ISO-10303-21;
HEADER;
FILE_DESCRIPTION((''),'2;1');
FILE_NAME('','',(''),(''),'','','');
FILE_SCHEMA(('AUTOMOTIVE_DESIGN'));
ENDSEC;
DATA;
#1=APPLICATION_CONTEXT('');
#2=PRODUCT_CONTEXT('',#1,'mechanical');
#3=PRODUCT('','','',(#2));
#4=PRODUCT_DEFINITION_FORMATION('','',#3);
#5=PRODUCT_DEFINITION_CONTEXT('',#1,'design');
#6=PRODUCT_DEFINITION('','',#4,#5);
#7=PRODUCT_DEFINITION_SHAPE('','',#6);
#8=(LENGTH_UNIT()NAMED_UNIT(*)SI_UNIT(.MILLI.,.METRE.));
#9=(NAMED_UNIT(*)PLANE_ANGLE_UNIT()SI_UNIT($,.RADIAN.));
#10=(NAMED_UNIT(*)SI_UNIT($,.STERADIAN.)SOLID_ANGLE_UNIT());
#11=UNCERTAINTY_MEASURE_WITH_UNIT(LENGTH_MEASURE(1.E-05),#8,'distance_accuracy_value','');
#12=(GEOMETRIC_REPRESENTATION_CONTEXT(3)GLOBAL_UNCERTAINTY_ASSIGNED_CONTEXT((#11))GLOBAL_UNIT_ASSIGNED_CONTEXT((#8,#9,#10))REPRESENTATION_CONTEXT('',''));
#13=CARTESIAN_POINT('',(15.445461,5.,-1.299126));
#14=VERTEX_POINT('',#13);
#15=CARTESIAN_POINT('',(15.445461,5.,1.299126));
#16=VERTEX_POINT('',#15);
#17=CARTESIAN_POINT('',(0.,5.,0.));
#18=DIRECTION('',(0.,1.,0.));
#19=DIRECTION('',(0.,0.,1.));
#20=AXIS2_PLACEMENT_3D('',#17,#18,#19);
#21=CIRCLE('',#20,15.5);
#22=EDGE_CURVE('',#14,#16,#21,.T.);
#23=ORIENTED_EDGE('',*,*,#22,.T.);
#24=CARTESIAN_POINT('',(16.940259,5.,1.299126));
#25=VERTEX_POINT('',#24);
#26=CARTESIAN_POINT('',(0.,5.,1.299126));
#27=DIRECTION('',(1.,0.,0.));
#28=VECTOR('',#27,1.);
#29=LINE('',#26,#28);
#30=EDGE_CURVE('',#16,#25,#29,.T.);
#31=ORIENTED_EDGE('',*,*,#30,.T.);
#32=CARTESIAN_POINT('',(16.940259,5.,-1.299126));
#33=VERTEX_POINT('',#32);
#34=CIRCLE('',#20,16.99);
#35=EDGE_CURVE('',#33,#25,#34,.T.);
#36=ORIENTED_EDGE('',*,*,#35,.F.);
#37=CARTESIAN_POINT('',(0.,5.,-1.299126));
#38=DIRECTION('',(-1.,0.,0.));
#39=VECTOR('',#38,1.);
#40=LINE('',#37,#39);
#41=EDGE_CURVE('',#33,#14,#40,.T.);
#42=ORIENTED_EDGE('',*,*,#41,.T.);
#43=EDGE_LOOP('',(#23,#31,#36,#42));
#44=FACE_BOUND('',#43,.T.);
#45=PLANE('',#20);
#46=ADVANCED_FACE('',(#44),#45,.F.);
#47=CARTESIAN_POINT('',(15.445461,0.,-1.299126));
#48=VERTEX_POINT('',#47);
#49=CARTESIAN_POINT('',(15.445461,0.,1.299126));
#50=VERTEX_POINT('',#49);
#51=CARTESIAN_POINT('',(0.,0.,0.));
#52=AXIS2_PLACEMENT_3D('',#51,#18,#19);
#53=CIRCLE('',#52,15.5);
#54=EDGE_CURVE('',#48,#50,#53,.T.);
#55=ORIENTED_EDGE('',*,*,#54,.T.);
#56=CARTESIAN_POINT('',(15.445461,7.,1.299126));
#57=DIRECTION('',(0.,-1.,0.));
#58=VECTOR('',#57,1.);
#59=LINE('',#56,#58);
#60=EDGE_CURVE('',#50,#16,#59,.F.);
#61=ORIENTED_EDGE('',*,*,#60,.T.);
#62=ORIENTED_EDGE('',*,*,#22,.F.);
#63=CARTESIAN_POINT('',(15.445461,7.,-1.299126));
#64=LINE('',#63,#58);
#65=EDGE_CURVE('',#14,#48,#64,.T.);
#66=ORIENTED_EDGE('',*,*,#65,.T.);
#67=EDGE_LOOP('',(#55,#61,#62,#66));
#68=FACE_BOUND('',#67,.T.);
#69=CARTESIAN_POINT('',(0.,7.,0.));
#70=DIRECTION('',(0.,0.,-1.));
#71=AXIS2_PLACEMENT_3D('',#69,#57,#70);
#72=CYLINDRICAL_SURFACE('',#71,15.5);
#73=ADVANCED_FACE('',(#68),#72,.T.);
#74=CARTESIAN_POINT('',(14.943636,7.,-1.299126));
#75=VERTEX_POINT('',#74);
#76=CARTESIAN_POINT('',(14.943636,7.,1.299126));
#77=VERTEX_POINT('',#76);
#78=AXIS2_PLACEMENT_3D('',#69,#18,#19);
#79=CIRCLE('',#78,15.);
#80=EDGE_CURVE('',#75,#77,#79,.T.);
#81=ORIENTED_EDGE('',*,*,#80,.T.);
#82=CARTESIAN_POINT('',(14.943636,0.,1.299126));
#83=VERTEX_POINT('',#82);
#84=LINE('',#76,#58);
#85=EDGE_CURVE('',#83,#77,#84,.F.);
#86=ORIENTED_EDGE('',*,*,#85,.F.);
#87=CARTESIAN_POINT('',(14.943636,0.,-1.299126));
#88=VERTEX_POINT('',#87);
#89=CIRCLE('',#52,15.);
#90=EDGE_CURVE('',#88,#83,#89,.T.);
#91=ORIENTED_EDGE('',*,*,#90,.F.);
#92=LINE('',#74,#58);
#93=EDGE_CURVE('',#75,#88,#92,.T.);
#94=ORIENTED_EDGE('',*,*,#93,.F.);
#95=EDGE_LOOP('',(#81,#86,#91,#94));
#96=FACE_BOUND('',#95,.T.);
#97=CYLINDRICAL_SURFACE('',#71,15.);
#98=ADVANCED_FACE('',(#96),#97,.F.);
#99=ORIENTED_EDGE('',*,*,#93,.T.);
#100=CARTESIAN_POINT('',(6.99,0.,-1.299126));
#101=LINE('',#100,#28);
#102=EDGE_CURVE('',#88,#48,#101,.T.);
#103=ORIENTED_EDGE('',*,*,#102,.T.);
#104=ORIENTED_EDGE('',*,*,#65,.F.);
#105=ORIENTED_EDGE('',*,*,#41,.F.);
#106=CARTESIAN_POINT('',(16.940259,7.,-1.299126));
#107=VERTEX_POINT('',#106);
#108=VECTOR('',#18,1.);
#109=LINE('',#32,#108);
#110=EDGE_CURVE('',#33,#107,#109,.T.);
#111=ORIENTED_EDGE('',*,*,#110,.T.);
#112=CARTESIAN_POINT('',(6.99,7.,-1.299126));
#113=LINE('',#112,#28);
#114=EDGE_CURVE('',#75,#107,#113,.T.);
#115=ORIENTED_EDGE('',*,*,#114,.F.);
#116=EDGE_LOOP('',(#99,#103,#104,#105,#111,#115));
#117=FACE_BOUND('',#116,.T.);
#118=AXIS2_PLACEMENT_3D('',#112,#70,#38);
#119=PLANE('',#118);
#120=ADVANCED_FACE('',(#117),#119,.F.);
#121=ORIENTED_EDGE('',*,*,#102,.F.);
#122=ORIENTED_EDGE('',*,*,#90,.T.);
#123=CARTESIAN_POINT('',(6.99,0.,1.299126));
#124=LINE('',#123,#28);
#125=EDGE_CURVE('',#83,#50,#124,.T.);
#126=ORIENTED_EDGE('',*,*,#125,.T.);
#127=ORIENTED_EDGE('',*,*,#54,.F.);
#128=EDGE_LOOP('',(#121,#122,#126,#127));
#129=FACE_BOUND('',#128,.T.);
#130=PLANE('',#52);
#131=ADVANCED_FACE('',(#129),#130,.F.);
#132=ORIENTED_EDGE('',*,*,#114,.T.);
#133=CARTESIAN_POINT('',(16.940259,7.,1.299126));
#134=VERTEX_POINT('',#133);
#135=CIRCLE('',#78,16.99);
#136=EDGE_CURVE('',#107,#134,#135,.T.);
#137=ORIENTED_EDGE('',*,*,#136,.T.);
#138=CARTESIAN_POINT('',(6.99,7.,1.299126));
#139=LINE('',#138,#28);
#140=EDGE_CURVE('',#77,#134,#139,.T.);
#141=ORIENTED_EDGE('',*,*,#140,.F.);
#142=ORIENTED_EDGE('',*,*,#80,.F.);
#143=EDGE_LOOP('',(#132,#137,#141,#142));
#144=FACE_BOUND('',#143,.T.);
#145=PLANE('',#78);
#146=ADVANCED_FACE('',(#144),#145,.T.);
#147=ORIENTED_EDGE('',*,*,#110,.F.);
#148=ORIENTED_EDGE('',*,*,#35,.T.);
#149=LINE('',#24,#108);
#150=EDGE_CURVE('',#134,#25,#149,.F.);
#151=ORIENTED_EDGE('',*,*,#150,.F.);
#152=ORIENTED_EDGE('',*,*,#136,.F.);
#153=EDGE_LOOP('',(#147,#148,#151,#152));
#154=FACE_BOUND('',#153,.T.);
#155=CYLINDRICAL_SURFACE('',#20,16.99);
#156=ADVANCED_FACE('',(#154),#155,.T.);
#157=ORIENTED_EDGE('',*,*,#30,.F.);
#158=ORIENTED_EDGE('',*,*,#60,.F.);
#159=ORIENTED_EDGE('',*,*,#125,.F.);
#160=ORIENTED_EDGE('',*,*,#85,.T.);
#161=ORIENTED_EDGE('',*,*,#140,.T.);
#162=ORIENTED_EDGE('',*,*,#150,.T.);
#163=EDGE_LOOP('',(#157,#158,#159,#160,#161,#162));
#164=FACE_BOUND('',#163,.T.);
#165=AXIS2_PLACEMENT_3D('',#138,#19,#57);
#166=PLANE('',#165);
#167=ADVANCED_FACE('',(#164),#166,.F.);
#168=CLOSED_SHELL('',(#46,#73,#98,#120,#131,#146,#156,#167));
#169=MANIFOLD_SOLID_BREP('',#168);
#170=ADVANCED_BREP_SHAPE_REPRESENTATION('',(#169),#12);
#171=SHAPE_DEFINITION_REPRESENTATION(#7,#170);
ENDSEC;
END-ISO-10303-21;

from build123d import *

# Parameters (mm, degrees)
SKETCH1_R           = 15.5
SKETCH1_R_2         = 15
BOSS_EXTRUDE1_DEPTH = 7
BOSS_EXTRUDE2_START = -2
SKETCH2_R           = 16.99
SKETCH2_R_2         = 15.5
BOSS_EXTRUDE2_DEPTH = 2
SKETCH3_W           = 2.598251864
SKETCH3_H           = 7
CUT_EXTRUDE1_DEPTH  = 10


with BuildPart() as part:
    # Sketch1 → Boss-Extrude1 (new body)
    with BuildSketch(Plane(origin=(0, 0, 0), x_dir=(1, 0, 0), z_dir=(0, 1, 0))):
        with Locations(Location((0, 0, 0), (0, 0, 270))):
            Circle(SKETCH1_R)
        with Locations(Location((0, 0, 0), (0, 0, 270))):
            Circle(SKETCH1_R_2, mode=Mode.SUBTRACT)
    extrude(amount=BOSS_EXTRUDE1_DEPTH)

    # Sketch2 → Boss-Extrude2 (add)
    with BuildSketch(Plane(origin=(0, 7, 0), x_dir=(1, 0, 0), z_dir=(0, 1, 0)).offset(BOSS_EXTRUDE2_START)):
        with Locations(Location((0, 0, 0), (0, 0, 270))):
            Circle(SKETCH2_R)
        with Locations(Location((0, 0, 0), (0, 0, 270))):
            Circle(SKETCH2_R_2, mode=Mode.SUBTRACT)
    extrude(amount=BOSS_EXTRUDE2_DEPTH)

    # Sketch3 → Cut-Extrude1 (cut)
    with BuildSketch(Plane(origin=(16.99, 0, 0), x_dir=(0, 0, -1), z_dir=(1, 0, 0))):
        with Locations((0, 3.5)):
            Rectangle(SKETCH3_W, SKETCH3_H)
    extrude(amount=-CUT_EXTRUDE1_DEPTH, mode=Mode.SUBTRACT)


solid = part.part
